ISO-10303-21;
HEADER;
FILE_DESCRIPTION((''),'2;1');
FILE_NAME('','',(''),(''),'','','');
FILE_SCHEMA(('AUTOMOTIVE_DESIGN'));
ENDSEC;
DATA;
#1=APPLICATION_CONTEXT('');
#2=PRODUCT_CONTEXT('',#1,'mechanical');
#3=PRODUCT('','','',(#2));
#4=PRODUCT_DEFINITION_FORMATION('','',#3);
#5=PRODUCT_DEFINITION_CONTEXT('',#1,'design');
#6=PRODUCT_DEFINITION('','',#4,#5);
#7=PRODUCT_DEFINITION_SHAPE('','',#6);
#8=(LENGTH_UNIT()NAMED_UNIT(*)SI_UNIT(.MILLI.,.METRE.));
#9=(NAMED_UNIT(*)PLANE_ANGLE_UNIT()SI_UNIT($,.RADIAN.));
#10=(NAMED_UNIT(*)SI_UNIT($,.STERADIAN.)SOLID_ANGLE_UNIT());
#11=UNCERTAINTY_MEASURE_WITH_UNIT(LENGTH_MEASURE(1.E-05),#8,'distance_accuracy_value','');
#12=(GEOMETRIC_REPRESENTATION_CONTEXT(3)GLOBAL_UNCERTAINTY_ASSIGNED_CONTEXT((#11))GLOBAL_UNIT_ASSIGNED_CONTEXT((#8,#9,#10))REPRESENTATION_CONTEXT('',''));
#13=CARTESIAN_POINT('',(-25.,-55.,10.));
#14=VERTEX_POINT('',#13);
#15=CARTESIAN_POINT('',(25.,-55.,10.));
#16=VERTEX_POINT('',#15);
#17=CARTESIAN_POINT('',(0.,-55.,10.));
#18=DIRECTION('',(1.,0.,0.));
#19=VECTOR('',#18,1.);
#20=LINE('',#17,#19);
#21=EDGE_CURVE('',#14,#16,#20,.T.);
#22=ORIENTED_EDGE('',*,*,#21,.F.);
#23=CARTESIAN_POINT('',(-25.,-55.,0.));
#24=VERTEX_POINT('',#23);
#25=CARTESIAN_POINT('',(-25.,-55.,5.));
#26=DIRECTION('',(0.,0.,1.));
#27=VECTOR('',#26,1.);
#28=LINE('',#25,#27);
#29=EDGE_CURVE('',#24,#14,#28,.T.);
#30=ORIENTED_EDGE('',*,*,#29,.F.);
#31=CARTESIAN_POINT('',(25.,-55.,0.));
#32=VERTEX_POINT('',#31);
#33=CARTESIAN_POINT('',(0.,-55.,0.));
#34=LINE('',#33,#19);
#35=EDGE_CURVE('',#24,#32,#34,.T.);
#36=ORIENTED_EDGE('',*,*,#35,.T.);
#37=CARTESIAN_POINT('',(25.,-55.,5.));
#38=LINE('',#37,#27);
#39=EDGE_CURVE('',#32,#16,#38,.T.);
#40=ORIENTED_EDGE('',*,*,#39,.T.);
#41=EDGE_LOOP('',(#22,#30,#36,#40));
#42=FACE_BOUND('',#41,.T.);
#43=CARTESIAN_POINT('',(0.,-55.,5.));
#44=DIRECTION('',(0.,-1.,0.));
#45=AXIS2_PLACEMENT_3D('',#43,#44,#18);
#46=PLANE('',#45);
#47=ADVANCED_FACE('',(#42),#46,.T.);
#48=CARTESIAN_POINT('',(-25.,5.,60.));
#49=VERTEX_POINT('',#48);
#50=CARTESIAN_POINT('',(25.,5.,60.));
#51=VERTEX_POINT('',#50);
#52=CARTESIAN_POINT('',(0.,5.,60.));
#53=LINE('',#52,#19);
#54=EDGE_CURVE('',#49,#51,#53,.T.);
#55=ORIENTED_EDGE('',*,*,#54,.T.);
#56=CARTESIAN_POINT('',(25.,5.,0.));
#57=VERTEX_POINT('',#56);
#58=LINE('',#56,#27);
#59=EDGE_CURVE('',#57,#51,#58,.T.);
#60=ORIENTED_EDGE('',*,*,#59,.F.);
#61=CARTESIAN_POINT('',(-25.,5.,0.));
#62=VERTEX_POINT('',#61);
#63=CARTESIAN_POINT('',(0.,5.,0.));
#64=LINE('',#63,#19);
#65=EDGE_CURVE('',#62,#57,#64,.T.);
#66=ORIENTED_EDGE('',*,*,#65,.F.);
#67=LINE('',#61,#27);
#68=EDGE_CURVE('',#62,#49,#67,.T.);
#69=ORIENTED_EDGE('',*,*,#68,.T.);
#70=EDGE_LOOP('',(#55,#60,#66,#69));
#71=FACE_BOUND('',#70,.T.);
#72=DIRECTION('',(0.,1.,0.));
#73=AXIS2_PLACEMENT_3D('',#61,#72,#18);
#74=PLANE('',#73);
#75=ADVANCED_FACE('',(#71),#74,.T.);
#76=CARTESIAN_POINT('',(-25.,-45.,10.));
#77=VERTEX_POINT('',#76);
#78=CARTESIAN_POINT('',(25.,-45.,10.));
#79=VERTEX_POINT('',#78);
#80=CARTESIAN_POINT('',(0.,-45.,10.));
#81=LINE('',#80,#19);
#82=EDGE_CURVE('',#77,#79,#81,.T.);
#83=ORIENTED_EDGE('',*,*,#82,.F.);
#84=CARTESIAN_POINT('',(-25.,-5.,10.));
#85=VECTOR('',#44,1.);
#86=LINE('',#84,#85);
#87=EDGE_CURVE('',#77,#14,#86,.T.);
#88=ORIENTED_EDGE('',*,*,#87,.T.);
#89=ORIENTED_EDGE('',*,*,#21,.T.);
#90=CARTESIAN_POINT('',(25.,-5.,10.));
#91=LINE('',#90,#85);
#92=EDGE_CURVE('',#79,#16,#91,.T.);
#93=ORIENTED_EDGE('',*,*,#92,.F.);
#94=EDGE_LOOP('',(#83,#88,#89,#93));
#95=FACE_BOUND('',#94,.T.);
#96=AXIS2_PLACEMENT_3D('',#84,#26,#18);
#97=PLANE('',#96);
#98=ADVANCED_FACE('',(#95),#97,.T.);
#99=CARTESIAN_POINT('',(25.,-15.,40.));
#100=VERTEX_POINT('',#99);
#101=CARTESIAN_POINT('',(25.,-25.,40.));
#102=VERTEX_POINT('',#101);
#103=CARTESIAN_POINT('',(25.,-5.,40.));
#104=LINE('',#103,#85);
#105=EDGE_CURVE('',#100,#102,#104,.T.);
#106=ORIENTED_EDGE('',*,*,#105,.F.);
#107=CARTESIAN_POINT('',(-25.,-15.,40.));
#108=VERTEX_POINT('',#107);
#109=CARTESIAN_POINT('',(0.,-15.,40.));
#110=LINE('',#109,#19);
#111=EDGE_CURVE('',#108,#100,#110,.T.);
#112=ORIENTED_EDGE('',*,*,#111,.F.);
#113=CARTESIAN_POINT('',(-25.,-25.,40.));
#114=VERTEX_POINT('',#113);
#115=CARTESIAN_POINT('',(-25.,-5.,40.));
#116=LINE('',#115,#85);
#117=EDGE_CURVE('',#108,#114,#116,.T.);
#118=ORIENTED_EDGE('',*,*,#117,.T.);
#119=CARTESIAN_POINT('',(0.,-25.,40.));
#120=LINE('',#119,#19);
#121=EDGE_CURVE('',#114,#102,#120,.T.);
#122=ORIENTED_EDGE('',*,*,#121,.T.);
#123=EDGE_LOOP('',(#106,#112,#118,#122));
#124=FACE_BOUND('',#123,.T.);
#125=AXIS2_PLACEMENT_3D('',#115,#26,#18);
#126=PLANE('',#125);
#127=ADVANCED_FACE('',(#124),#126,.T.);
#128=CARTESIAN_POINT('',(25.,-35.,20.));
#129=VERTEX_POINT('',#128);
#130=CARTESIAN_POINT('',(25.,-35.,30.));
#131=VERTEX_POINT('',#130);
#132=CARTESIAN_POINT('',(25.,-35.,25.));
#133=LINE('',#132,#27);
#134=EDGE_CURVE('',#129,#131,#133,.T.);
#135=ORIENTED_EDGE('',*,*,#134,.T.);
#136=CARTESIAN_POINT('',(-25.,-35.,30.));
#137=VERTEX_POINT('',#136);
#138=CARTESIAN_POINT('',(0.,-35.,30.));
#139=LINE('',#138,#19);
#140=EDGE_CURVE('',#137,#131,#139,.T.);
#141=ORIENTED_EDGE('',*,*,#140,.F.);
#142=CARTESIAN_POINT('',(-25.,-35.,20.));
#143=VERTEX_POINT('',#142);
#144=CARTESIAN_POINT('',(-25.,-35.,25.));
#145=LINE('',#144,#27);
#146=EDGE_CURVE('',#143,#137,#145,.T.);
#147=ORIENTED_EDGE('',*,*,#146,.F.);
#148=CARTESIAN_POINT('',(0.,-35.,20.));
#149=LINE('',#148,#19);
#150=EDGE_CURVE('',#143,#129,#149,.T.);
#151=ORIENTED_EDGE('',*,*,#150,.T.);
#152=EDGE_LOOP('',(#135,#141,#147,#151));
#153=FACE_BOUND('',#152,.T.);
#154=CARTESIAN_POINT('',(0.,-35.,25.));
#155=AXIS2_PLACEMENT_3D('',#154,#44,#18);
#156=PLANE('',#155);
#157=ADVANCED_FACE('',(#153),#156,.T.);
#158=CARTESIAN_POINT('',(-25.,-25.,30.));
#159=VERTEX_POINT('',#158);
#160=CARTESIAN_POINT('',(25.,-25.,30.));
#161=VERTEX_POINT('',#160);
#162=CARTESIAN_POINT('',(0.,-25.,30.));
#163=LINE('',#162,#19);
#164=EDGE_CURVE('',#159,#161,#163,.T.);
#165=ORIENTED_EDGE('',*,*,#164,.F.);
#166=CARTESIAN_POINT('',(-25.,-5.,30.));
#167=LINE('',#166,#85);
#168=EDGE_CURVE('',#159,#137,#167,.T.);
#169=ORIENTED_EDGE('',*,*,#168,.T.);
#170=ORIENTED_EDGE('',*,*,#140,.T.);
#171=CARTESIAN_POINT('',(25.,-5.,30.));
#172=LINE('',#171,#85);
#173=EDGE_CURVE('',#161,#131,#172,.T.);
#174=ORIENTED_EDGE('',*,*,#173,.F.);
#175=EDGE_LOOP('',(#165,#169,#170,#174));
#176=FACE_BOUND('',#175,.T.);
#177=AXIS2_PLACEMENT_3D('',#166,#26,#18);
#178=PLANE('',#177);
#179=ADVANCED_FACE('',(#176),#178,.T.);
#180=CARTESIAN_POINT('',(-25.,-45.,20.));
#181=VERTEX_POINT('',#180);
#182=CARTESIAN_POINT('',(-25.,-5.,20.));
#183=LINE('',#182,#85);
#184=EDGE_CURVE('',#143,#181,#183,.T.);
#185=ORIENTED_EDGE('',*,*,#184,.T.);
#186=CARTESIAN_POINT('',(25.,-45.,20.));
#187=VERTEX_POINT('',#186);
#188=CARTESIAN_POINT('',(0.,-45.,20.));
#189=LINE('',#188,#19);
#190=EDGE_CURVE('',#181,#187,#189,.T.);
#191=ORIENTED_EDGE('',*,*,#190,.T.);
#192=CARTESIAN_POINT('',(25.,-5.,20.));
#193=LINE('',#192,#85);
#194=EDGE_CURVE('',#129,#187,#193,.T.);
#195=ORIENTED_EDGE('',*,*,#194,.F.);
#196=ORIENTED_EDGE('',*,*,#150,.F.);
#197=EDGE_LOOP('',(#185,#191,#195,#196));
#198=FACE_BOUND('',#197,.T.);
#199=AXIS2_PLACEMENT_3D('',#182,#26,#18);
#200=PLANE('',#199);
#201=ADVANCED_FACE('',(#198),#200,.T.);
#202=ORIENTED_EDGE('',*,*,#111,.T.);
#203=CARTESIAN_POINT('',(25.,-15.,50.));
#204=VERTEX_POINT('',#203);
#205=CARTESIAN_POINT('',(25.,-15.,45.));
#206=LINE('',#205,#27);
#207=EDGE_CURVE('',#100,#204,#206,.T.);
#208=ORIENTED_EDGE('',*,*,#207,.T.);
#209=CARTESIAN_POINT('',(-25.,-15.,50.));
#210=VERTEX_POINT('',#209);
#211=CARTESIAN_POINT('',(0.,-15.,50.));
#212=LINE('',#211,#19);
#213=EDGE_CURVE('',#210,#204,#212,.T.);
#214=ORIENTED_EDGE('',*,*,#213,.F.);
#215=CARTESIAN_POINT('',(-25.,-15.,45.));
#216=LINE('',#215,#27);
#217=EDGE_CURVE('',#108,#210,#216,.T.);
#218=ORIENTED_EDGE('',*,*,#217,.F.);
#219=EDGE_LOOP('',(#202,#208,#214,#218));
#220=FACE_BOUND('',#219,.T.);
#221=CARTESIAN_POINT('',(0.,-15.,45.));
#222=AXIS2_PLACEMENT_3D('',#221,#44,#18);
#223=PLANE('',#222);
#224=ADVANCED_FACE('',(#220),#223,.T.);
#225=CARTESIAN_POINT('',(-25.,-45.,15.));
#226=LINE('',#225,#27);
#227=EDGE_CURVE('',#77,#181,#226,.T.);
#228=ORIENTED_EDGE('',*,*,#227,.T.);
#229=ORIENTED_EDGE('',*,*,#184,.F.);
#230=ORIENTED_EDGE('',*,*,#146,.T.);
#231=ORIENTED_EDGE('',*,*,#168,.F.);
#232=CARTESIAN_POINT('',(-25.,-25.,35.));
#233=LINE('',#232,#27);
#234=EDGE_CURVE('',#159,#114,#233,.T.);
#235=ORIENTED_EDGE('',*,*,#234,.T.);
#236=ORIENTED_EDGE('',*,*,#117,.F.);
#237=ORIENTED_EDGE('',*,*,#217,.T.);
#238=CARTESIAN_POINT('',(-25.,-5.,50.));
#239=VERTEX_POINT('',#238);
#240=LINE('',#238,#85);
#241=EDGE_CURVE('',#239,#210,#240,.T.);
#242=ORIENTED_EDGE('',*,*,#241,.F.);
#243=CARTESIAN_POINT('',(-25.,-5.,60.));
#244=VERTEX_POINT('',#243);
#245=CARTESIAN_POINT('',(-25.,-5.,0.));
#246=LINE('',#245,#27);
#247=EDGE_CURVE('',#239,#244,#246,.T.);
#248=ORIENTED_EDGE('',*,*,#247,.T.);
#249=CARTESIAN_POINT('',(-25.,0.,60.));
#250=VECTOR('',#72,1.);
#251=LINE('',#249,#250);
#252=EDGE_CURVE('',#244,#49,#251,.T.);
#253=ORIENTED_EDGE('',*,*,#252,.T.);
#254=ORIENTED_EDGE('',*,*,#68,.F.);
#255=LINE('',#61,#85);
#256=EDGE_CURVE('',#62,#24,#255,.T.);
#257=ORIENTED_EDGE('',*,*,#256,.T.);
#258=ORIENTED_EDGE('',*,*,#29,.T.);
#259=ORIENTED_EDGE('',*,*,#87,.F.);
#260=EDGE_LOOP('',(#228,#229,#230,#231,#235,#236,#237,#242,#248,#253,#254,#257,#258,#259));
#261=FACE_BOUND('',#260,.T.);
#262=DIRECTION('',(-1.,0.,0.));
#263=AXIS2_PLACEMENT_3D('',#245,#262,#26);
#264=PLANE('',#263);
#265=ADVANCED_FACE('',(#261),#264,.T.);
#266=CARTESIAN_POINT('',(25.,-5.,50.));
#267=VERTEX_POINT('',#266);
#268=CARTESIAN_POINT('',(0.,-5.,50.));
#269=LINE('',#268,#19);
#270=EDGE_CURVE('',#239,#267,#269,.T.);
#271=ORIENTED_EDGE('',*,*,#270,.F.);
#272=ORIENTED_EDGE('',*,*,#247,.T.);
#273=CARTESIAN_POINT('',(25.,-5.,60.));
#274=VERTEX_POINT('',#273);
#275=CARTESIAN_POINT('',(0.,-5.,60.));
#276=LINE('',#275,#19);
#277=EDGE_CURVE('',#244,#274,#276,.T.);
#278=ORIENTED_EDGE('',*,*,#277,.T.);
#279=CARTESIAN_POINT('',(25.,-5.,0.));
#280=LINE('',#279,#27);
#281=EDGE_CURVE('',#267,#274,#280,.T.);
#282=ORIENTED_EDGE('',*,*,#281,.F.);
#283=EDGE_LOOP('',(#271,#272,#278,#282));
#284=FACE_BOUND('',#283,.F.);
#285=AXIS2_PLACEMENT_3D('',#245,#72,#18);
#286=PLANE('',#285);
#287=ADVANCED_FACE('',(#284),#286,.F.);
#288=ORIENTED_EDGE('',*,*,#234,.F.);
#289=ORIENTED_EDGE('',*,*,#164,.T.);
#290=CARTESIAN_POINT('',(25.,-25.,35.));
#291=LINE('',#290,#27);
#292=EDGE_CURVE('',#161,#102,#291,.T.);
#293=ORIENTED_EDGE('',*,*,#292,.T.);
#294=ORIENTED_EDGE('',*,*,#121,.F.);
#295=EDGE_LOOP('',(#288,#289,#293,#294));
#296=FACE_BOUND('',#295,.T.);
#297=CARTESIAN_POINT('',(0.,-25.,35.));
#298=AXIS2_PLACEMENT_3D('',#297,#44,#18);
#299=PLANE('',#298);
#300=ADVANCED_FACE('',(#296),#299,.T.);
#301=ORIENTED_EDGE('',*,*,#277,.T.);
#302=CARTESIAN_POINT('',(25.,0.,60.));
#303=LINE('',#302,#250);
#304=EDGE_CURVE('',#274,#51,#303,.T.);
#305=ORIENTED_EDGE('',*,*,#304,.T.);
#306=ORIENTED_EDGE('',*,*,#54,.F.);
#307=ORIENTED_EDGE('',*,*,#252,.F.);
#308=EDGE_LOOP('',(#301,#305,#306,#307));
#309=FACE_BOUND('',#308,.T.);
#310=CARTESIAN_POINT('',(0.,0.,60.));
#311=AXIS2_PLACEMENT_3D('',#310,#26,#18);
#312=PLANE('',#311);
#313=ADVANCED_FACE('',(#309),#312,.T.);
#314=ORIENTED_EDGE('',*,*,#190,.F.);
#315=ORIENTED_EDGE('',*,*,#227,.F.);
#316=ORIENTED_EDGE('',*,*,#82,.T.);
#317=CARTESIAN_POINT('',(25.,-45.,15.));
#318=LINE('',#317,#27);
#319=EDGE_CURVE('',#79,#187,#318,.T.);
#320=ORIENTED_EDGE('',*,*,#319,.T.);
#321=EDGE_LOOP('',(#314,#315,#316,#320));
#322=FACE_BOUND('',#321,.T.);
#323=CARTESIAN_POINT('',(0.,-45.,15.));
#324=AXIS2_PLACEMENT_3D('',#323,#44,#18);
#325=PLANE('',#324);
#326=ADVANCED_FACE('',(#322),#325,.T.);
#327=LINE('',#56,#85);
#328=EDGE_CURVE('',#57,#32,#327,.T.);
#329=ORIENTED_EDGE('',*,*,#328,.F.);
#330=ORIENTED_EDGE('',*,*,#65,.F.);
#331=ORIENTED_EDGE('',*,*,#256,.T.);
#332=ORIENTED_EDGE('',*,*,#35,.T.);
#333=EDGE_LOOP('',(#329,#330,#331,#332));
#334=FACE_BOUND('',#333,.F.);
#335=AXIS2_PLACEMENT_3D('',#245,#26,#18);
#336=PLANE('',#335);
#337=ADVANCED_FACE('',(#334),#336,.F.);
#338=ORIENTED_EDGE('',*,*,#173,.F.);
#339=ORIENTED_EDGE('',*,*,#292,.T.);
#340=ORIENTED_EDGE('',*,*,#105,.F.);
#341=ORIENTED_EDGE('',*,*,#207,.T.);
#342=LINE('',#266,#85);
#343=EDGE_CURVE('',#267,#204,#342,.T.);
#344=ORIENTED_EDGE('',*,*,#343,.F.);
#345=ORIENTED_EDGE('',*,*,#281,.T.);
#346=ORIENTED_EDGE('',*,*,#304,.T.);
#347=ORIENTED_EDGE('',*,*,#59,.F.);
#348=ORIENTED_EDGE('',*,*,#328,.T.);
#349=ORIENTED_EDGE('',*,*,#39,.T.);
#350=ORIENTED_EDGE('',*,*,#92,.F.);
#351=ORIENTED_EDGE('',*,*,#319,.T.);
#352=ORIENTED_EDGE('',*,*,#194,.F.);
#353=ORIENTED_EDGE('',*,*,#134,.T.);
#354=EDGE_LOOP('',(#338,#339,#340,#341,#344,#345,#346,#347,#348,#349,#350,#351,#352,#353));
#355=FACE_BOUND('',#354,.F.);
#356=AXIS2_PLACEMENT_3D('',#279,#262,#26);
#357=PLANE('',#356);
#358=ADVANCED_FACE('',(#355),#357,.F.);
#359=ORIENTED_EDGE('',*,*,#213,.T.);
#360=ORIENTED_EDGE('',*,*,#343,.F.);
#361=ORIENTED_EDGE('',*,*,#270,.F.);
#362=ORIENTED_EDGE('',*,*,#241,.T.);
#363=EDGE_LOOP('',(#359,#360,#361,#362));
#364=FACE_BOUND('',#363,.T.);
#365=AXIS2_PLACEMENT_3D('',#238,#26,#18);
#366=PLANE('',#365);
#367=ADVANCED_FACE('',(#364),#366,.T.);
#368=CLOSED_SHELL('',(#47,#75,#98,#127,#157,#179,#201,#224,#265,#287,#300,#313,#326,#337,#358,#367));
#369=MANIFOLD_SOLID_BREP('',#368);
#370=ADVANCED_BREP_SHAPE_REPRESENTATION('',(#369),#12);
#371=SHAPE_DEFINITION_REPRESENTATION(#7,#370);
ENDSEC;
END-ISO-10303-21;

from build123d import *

# Parameters (mm, degrees)
F0_W      = 50
F0_H      = 10
F1_DEPTH  = 60
F2_W      = 50
F2_H      = 10
F3_DEPTH  = 10
F4_W      = 50
F4_H      = 10
F5_DEPTH  = 20
F6_W      = 50
F6_H      = 10
F7_DEPTH  = 30
F8_W      = 50
F8_H      = 10
F9_DEPTH  = 40
F10_W     = 50
F10_H     = 10
F11_DEPTH = 50


with BuildPart() as f1:
    # F0 (on Top) → F1 (new body)
    with BuildSketch(Plane.XY):
        Rectangle(F0_W, F0_H)
    extrude(amount=F1_DEPTH)

    # F2 (on face) → F3 (join)
    with BuildSketch(Plane.XZ.offset(5)):
        with Locations((0, 45)):
            Rectangle(F2_W, F2_H)
    extrude(amount=F3_DEPTH)

    # F4 (on face) → F5 (join)
    with BuildSketch(Plane.XZ.offset(5)):
        with Locations((0, 35)):
            Rectangle(F4_W, F4_H)
    extrude(amount=F5_DEPTH)

    # F6 (on face) → F7 (join)
    with BuildSketch(Plane.XZ.offset(5)):
        with Locations((0, 25)):
            Rectangle(F6_W, F6_H)
    extrude(amount=F7_DEPTH)

    # F8 (on face) → F9 (join)
    with BuildSketch(Plane.XZ.offset(5)):
        with Locations((0, 15)):
            Rectangle(F8_W, F8_H)
    extrude(amount=F9_DEPTH)

    # F10 (on face) → F11 (join)
    with BuildSketch(Plane.XZ.offset(5)):
        with Locations((0, 5)):
            Rectangle(F10_W, F10_H)
    extrude(amount=F11_DEPTH)


solid = f1.part
